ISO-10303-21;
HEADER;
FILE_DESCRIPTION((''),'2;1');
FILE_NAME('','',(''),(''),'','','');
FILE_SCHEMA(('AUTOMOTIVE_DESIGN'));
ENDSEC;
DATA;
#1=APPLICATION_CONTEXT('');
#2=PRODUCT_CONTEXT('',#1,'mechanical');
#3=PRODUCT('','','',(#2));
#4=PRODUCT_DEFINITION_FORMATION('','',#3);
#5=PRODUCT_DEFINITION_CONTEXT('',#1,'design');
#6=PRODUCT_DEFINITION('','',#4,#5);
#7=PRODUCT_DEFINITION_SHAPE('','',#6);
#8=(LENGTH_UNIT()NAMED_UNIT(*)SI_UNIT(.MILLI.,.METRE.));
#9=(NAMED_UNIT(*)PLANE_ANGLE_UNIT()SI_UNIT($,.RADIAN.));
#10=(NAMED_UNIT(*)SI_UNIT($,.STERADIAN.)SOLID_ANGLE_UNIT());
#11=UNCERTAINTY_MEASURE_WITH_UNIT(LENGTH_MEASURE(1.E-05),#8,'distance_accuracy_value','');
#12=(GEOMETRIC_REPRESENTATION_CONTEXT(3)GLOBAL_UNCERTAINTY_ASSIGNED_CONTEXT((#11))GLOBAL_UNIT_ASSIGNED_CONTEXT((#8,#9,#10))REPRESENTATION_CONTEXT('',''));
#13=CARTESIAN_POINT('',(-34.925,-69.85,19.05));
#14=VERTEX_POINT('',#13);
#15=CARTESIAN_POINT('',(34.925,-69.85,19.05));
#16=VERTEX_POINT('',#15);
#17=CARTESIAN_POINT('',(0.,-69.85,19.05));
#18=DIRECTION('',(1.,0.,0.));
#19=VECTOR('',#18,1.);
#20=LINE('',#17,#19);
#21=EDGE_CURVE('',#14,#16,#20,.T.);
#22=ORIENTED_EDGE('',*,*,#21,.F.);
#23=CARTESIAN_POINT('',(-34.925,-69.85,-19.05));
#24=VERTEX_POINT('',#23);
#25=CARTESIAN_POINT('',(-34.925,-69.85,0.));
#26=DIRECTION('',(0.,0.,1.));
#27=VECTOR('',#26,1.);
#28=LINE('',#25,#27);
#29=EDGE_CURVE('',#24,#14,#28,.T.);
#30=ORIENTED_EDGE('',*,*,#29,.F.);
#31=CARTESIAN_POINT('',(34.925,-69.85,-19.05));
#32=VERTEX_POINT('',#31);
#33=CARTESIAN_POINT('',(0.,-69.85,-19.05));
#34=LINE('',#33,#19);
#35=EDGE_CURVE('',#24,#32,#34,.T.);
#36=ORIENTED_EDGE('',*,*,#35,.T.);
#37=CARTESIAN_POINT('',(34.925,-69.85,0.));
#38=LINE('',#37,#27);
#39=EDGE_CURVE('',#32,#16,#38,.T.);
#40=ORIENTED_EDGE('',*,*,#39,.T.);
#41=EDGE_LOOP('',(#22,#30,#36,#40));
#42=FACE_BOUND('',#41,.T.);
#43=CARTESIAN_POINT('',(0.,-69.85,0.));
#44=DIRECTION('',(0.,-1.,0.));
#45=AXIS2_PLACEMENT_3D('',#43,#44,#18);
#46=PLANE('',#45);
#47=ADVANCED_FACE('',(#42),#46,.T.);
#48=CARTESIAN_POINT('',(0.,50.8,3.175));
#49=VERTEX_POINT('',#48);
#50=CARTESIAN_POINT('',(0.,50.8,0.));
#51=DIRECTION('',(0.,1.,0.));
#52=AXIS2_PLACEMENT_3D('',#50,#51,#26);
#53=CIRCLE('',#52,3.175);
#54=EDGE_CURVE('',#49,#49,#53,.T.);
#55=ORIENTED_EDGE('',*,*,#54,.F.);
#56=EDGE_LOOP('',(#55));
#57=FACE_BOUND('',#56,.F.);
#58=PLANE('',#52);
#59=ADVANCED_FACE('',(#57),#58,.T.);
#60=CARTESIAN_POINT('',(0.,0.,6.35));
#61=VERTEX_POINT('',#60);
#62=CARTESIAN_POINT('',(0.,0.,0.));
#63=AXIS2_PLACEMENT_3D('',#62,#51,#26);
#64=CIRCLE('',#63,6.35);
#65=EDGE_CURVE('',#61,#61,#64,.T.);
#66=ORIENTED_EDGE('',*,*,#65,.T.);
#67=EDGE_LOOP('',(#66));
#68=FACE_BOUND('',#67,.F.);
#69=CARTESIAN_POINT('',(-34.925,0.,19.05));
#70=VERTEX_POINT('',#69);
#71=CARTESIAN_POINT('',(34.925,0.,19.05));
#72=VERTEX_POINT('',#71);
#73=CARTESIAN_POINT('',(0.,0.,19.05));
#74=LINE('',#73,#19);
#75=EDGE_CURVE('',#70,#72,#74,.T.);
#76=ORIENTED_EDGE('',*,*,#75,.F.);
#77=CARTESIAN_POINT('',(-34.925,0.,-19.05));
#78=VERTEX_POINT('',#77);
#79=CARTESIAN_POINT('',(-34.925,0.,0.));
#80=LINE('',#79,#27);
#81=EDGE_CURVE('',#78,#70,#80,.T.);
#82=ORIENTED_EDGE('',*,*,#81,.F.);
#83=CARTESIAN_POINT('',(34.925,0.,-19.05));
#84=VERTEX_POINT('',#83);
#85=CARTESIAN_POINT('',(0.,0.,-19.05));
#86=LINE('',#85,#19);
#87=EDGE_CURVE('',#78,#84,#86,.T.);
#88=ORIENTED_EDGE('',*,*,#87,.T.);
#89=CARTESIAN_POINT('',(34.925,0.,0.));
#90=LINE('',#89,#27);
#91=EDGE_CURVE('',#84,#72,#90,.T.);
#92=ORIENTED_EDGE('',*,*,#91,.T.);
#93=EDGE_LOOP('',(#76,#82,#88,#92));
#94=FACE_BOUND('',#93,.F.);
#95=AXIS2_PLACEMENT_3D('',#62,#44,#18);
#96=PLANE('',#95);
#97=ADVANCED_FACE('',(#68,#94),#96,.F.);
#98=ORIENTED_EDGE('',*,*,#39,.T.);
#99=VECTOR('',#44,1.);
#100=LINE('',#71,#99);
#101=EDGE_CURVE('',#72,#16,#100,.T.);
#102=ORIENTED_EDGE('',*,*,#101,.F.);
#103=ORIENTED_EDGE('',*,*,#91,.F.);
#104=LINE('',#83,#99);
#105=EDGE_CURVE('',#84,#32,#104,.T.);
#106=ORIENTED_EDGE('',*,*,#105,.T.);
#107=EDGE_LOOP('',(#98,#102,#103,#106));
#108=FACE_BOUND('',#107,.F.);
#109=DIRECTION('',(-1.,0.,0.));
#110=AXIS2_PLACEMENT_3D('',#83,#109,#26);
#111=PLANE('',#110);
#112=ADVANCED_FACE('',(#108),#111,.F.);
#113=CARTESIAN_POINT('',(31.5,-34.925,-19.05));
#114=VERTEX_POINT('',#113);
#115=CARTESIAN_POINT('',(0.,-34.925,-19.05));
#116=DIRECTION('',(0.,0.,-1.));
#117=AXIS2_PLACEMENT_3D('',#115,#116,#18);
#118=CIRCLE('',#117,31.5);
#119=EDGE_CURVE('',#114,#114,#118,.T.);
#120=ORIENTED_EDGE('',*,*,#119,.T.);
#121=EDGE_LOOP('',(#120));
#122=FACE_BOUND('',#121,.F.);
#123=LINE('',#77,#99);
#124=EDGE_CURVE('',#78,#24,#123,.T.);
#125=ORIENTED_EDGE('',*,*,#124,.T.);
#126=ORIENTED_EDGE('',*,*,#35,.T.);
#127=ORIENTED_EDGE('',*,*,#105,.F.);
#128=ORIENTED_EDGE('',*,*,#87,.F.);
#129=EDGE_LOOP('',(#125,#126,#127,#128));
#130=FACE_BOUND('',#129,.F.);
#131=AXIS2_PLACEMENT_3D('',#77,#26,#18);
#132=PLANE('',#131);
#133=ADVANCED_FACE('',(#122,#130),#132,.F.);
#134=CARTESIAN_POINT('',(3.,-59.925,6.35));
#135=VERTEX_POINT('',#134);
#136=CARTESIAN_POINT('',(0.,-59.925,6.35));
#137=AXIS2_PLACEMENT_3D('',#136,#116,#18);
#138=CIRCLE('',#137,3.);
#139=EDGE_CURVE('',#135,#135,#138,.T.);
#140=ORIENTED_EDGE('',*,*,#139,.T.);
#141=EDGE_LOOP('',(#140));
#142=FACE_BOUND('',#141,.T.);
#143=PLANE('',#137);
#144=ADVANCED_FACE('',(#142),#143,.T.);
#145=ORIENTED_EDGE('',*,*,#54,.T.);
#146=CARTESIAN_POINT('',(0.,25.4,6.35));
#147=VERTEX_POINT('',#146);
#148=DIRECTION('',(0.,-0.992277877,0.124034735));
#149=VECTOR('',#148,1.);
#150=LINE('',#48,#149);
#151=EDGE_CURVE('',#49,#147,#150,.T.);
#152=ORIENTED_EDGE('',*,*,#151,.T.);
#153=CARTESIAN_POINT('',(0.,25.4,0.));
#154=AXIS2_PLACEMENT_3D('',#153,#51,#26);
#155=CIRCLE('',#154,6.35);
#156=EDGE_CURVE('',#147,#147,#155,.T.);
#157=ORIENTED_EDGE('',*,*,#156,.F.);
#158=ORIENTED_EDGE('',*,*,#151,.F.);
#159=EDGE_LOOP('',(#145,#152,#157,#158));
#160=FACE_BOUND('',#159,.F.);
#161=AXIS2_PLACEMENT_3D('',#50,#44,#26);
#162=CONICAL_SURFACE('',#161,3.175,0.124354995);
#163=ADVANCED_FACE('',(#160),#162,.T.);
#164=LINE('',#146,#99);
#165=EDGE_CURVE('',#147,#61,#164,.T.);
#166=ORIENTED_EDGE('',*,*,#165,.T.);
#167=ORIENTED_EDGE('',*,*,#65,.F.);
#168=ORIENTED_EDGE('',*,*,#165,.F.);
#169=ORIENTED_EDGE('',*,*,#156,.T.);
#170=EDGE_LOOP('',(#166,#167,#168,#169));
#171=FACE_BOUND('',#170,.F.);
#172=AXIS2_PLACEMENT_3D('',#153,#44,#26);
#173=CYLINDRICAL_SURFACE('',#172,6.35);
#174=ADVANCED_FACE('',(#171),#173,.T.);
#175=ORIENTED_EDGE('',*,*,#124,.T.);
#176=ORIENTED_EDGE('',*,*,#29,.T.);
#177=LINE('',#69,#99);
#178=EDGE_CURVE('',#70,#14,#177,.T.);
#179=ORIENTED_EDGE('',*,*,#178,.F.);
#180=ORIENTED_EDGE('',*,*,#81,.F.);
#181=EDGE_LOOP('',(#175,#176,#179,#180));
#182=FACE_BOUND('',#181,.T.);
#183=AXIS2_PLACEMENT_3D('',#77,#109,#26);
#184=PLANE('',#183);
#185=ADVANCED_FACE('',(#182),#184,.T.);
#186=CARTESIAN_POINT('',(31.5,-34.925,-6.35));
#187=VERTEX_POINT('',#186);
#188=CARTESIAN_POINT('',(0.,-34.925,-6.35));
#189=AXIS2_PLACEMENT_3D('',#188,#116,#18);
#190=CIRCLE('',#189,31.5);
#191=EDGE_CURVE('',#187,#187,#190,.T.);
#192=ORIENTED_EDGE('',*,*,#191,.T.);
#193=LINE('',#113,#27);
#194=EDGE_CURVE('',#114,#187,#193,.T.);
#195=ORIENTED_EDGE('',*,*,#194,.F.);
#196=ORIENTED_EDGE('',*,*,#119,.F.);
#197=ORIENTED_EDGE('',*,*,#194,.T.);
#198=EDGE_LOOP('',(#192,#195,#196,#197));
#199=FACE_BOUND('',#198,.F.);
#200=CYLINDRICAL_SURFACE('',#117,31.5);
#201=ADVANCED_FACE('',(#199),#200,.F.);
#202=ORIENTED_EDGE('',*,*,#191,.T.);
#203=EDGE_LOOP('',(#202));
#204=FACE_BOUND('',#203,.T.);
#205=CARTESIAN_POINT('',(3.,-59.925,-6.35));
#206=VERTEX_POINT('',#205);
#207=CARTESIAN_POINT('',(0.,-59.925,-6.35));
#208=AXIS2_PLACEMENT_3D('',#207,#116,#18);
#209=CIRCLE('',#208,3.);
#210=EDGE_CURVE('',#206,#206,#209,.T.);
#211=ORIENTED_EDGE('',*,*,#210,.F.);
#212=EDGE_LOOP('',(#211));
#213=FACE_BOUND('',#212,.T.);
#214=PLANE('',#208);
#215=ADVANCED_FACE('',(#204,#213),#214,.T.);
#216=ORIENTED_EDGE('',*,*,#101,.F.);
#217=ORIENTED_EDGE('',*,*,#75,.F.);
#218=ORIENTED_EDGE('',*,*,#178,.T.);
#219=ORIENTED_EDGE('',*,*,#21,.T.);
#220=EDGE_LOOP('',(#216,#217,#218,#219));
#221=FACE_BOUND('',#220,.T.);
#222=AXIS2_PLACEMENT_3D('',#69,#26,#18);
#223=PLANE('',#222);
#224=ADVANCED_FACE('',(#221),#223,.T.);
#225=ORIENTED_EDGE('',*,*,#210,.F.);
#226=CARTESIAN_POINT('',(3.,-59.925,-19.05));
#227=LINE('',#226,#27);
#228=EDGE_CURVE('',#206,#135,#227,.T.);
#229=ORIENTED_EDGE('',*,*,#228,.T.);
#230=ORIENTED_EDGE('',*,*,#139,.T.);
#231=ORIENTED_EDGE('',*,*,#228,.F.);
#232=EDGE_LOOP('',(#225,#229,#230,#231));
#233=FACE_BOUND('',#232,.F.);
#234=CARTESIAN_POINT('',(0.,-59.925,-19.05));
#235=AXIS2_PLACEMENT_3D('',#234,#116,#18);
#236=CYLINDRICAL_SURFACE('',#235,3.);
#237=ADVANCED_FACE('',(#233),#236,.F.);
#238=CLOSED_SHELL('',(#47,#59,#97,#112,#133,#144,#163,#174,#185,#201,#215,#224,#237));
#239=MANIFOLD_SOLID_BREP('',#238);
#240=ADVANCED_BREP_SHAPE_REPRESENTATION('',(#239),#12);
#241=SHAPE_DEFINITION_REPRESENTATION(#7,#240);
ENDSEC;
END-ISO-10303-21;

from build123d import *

# Parameters (mm, degrees)
F2_W     = 69.85
F2_H     = 38.1
F3_DEPTH = 69.85
F4_R     = 3
F4_R_2   = 31.5
F5_DEPTH = 12.7
F6_DEPTH = 25.4


with BuildPart() as f1:
    # F0 (on Right) → F1 (revolve)
    with BuildSketch(Plane.YZ):
        Polygon((0, 6.35), (0, 0), (50.8, 0), (50.8, 3.175), (25.4, 6.35), align=None)
    revolve(axis=Axis((0, 25.4, 0), (0, 1, 0)))

    # F2 (on Front) → F3 (join)
    with BuildSketch(Plane.XZ):
        Rectangle(F2_W, F2_H)
    extrude(amount=F3_DEPTH)

    # F4 (on face) → F5 (cut)
    with BuildSketch(Plane(origin=(0, 0, -19.05), x_dir=(1, 0, 0), z_dir=(0, 0, -1))):
        with Locations((0, 59.925)):
            Circle(F4_R)
        with Locations((0, 34.925)):
            Circle(F4_R_2)
        with Locations((0, 59.925)):
            Circle(F4_R, mode=Mode.SUBTRACT)
    extrude(amount=-F5_DEPTH, mode=Mode.SUBTRACT)

    # F4 (on face) → F6 (cut)
    with BuildSketch(Plane(origin=(0, 0, -19.05), x_dir=(1, 0, 0), z_dir=(0, 0, -1))):
        with Locations((0, 59.925)):
            Circle(F4_R)
    extrude(amount=-F6_DEPTH, mode=Mode.SUBTRACT)


solid = f1.part
